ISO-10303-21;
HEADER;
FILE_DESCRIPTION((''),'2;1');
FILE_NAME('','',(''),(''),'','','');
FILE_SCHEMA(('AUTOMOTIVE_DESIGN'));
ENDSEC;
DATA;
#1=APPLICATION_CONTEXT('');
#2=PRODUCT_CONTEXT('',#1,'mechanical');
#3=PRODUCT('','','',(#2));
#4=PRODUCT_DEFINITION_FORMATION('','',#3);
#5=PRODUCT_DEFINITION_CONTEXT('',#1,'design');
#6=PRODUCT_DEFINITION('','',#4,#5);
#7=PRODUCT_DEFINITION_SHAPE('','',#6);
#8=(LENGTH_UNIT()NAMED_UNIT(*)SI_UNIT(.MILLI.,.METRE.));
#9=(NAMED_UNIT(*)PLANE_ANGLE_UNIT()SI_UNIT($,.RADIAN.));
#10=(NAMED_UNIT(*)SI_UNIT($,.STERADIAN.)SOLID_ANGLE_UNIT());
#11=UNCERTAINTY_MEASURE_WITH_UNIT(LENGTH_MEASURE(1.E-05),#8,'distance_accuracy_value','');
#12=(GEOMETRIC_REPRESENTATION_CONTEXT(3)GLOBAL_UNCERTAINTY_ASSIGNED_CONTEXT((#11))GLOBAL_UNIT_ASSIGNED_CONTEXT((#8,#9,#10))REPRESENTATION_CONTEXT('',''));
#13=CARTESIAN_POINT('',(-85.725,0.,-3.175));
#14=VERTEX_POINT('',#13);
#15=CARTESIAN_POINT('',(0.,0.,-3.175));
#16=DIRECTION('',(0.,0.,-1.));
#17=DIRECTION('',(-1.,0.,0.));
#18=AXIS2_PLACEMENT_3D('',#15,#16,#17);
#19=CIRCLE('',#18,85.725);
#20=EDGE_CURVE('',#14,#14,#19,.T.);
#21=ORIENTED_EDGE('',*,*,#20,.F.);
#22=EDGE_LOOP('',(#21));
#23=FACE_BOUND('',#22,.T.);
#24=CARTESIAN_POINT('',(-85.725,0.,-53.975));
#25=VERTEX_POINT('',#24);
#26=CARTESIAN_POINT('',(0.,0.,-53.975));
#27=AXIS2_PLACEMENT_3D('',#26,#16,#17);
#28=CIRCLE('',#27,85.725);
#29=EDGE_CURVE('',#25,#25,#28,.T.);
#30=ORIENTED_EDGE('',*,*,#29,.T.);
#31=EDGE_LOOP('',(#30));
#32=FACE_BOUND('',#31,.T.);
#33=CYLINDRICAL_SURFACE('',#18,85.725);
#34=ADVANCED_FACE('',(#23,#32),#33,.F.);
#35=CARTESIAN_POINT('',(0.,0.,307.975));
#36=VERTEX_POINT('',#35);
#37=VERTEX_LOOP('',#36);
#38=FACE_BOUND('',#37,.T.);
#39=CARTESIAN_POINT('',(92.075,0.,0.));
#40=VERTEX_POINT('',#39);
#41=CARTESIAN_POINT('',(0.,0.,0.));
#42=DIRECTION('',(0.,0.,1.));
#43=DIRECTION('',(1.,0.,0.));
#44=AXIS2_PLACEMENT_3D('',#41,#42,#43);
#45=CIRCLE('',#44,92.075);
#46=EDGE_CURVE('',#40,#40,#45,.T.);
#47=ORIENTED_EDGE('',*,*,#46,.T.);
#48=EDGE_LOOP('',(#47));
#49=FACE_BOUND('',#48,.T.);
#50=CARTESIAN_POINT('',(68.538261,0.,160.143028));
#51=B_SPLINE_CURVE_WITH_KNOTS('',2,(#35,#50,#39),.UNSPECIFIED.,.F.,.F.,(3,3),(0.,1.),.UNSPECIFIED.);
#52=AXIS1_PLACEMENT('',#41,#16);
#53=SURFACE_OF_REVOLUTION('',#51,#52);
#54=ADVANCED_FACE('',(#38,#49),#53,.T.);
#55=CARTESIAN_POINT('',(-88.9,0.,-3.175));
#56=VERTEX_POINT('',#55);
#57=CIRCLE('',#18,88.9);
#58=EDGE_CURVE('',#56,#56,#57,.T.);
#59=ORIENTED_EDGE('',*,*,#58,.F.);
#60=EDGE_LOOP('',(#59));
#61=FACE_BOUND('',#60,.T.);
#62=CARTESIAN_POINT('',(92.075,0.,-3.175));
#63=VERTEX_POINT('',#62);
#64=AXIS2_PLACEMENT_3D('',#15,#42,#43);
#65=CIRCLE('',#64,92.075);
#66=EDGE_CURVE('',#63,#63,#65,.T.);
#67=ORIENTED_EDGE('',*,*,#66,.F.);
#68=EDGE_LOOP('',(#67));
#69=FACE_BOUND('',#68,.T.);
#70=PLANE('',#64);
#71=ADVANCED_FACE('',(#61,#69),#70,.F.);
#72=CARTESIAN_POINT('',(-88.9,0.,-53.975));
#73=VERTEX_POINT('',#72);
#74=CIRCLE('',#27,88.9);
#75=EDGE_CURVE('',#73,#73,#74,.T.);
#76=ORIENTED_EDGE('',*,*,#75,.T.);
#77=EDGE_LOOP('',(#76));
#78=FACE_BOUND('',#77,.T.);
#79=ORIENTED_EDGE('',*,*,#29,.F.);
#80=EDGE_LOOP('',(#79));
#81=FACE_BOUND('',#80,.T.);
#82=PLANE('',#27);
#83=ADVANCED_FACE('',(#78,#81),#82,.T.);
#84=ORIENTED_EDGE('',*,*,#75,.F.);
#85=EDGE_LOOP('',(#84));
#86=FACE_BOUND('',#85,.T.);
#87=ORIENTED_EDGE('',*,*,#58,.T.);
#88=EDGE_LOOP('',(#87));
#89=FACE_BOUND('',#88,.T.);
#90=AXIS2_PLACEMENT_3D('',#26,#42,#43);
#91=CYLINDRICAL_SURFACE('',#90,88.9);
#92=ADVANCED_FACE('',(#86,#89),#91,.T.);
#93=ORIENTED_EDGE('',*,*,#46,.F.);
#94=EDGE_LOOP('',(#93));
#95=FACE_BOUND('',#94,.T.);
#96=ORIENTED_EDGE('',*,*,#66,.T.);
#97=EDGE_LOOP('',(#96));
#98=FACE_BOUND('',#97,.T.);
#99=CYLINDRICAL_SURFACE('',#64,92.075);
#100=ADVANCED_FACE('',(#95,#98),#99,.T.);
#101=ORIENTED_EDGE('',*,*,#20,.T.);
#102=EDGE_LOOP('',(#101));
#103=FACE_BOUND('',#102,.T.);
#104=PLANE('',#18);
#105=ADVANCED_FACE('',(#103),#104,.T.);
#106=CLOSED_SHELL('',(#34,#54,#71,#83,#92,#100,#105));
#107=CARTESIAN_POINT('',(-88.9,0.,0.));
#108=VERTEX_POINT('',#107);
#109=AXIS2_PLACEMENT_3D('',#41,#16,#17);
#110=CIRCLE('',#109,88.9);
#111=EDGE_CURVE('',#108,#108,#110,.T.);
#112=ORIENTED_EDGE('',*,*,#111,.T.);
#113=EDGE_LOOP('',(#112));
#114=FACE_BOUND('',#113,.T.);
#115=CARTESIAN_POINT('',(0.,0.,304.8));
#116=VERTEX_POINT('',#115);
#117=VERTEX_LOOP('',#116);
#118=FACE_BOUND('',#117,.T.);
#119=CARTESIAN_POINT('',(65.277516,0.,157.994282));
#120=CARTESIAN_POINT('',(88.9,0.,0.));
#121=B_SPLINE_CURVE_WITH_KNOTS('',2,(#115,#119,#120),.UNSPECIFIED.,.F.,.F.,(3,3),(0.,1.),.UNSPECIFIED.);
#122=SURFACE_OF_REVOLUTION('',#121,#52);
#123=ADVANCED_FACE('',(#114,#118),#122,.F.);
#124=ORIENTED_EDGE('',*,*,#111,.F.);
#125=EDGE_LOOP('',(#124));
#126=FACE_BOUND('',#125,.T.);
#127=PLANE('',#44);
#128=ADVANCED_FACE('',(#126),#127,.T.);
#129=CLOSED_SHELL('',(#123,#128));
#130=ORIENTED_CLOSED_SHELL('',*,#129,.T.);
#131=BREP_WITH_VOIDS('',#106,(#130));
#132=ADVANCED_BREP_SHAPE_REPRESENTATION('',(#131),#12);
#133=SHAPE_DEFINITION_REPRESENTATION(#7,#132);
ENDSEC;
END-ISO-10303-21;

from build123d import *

# Parameters (mm, degrees)
SKETCH1_R           = 92.075
BOSS_EXTRUDE1_DEPTH = 3.175
SKETCH2_R           = 88.9
BOSS_EXTRUDE2_DEPTH = 50.8
SKETCH3_R           = 85.725
CUT_EXTRUDE1_DEPTH  = 50.8


with BuildPart() as part:
    # Sketch1 → Boss-Extrude1 (new body)
    with BuildSketch(Plane.XY):
        Circle(SKETCH1_R)
    extrude(amount=-BOSS_EXTRUDE1_DEPTH)

    # Sketch2 → Boss-Extrude2 (add)
    with BuildSketch(Plane(origin=(0, 0, -3.175), x_dir=(-1, 0, 0), z_dir=(0, 0, -1))):
        Circle(SKETCH2_R)
    extrude(amount=BOSS_EXTRUDE2_DEPTH)

    # Sketch3 → Cut-Extrude1 (cut)
    with BuildSketch(Plane(origin=(0, 0, -53.975), x_dir=(-1, 0, 0), z_dir=(0, 0, -1))):
        Circle(SKETCH3_R)
    extrude(amount=-CUT_EXTRUDE1_DEPTH, mode=Mode.SUBTRACT)

    # Sketch4 → Revolve1 (revolve)
    with BuildSketch(Plane(origin=(0, 0, 0), x_dir=(1, 0, 0), z_dir=(0, 1, 0))):
        with BuildLine():
            add(Edge.make_bspline(
                [(0, -304.8), (65.277515516, -157.994281663), (88.9, 0)],
                knots=[0, 0, 0, 1, 1, 1], degree=2))
            Line((88.9, 0), (92.075, 0))
            add(Edge.make_bspline(
                [(0, -307.975), (68.538261276, -160.143028223), (92.075, 0)],
                knots=[0, 0, 0, 1, 1, 1], degree=2))
            Line((0, -307.975), (0, -304.8))
        make_face()
    revolve(axis=Axis((0, 0, 0), (0, 0, 1)))


solid = part.part
